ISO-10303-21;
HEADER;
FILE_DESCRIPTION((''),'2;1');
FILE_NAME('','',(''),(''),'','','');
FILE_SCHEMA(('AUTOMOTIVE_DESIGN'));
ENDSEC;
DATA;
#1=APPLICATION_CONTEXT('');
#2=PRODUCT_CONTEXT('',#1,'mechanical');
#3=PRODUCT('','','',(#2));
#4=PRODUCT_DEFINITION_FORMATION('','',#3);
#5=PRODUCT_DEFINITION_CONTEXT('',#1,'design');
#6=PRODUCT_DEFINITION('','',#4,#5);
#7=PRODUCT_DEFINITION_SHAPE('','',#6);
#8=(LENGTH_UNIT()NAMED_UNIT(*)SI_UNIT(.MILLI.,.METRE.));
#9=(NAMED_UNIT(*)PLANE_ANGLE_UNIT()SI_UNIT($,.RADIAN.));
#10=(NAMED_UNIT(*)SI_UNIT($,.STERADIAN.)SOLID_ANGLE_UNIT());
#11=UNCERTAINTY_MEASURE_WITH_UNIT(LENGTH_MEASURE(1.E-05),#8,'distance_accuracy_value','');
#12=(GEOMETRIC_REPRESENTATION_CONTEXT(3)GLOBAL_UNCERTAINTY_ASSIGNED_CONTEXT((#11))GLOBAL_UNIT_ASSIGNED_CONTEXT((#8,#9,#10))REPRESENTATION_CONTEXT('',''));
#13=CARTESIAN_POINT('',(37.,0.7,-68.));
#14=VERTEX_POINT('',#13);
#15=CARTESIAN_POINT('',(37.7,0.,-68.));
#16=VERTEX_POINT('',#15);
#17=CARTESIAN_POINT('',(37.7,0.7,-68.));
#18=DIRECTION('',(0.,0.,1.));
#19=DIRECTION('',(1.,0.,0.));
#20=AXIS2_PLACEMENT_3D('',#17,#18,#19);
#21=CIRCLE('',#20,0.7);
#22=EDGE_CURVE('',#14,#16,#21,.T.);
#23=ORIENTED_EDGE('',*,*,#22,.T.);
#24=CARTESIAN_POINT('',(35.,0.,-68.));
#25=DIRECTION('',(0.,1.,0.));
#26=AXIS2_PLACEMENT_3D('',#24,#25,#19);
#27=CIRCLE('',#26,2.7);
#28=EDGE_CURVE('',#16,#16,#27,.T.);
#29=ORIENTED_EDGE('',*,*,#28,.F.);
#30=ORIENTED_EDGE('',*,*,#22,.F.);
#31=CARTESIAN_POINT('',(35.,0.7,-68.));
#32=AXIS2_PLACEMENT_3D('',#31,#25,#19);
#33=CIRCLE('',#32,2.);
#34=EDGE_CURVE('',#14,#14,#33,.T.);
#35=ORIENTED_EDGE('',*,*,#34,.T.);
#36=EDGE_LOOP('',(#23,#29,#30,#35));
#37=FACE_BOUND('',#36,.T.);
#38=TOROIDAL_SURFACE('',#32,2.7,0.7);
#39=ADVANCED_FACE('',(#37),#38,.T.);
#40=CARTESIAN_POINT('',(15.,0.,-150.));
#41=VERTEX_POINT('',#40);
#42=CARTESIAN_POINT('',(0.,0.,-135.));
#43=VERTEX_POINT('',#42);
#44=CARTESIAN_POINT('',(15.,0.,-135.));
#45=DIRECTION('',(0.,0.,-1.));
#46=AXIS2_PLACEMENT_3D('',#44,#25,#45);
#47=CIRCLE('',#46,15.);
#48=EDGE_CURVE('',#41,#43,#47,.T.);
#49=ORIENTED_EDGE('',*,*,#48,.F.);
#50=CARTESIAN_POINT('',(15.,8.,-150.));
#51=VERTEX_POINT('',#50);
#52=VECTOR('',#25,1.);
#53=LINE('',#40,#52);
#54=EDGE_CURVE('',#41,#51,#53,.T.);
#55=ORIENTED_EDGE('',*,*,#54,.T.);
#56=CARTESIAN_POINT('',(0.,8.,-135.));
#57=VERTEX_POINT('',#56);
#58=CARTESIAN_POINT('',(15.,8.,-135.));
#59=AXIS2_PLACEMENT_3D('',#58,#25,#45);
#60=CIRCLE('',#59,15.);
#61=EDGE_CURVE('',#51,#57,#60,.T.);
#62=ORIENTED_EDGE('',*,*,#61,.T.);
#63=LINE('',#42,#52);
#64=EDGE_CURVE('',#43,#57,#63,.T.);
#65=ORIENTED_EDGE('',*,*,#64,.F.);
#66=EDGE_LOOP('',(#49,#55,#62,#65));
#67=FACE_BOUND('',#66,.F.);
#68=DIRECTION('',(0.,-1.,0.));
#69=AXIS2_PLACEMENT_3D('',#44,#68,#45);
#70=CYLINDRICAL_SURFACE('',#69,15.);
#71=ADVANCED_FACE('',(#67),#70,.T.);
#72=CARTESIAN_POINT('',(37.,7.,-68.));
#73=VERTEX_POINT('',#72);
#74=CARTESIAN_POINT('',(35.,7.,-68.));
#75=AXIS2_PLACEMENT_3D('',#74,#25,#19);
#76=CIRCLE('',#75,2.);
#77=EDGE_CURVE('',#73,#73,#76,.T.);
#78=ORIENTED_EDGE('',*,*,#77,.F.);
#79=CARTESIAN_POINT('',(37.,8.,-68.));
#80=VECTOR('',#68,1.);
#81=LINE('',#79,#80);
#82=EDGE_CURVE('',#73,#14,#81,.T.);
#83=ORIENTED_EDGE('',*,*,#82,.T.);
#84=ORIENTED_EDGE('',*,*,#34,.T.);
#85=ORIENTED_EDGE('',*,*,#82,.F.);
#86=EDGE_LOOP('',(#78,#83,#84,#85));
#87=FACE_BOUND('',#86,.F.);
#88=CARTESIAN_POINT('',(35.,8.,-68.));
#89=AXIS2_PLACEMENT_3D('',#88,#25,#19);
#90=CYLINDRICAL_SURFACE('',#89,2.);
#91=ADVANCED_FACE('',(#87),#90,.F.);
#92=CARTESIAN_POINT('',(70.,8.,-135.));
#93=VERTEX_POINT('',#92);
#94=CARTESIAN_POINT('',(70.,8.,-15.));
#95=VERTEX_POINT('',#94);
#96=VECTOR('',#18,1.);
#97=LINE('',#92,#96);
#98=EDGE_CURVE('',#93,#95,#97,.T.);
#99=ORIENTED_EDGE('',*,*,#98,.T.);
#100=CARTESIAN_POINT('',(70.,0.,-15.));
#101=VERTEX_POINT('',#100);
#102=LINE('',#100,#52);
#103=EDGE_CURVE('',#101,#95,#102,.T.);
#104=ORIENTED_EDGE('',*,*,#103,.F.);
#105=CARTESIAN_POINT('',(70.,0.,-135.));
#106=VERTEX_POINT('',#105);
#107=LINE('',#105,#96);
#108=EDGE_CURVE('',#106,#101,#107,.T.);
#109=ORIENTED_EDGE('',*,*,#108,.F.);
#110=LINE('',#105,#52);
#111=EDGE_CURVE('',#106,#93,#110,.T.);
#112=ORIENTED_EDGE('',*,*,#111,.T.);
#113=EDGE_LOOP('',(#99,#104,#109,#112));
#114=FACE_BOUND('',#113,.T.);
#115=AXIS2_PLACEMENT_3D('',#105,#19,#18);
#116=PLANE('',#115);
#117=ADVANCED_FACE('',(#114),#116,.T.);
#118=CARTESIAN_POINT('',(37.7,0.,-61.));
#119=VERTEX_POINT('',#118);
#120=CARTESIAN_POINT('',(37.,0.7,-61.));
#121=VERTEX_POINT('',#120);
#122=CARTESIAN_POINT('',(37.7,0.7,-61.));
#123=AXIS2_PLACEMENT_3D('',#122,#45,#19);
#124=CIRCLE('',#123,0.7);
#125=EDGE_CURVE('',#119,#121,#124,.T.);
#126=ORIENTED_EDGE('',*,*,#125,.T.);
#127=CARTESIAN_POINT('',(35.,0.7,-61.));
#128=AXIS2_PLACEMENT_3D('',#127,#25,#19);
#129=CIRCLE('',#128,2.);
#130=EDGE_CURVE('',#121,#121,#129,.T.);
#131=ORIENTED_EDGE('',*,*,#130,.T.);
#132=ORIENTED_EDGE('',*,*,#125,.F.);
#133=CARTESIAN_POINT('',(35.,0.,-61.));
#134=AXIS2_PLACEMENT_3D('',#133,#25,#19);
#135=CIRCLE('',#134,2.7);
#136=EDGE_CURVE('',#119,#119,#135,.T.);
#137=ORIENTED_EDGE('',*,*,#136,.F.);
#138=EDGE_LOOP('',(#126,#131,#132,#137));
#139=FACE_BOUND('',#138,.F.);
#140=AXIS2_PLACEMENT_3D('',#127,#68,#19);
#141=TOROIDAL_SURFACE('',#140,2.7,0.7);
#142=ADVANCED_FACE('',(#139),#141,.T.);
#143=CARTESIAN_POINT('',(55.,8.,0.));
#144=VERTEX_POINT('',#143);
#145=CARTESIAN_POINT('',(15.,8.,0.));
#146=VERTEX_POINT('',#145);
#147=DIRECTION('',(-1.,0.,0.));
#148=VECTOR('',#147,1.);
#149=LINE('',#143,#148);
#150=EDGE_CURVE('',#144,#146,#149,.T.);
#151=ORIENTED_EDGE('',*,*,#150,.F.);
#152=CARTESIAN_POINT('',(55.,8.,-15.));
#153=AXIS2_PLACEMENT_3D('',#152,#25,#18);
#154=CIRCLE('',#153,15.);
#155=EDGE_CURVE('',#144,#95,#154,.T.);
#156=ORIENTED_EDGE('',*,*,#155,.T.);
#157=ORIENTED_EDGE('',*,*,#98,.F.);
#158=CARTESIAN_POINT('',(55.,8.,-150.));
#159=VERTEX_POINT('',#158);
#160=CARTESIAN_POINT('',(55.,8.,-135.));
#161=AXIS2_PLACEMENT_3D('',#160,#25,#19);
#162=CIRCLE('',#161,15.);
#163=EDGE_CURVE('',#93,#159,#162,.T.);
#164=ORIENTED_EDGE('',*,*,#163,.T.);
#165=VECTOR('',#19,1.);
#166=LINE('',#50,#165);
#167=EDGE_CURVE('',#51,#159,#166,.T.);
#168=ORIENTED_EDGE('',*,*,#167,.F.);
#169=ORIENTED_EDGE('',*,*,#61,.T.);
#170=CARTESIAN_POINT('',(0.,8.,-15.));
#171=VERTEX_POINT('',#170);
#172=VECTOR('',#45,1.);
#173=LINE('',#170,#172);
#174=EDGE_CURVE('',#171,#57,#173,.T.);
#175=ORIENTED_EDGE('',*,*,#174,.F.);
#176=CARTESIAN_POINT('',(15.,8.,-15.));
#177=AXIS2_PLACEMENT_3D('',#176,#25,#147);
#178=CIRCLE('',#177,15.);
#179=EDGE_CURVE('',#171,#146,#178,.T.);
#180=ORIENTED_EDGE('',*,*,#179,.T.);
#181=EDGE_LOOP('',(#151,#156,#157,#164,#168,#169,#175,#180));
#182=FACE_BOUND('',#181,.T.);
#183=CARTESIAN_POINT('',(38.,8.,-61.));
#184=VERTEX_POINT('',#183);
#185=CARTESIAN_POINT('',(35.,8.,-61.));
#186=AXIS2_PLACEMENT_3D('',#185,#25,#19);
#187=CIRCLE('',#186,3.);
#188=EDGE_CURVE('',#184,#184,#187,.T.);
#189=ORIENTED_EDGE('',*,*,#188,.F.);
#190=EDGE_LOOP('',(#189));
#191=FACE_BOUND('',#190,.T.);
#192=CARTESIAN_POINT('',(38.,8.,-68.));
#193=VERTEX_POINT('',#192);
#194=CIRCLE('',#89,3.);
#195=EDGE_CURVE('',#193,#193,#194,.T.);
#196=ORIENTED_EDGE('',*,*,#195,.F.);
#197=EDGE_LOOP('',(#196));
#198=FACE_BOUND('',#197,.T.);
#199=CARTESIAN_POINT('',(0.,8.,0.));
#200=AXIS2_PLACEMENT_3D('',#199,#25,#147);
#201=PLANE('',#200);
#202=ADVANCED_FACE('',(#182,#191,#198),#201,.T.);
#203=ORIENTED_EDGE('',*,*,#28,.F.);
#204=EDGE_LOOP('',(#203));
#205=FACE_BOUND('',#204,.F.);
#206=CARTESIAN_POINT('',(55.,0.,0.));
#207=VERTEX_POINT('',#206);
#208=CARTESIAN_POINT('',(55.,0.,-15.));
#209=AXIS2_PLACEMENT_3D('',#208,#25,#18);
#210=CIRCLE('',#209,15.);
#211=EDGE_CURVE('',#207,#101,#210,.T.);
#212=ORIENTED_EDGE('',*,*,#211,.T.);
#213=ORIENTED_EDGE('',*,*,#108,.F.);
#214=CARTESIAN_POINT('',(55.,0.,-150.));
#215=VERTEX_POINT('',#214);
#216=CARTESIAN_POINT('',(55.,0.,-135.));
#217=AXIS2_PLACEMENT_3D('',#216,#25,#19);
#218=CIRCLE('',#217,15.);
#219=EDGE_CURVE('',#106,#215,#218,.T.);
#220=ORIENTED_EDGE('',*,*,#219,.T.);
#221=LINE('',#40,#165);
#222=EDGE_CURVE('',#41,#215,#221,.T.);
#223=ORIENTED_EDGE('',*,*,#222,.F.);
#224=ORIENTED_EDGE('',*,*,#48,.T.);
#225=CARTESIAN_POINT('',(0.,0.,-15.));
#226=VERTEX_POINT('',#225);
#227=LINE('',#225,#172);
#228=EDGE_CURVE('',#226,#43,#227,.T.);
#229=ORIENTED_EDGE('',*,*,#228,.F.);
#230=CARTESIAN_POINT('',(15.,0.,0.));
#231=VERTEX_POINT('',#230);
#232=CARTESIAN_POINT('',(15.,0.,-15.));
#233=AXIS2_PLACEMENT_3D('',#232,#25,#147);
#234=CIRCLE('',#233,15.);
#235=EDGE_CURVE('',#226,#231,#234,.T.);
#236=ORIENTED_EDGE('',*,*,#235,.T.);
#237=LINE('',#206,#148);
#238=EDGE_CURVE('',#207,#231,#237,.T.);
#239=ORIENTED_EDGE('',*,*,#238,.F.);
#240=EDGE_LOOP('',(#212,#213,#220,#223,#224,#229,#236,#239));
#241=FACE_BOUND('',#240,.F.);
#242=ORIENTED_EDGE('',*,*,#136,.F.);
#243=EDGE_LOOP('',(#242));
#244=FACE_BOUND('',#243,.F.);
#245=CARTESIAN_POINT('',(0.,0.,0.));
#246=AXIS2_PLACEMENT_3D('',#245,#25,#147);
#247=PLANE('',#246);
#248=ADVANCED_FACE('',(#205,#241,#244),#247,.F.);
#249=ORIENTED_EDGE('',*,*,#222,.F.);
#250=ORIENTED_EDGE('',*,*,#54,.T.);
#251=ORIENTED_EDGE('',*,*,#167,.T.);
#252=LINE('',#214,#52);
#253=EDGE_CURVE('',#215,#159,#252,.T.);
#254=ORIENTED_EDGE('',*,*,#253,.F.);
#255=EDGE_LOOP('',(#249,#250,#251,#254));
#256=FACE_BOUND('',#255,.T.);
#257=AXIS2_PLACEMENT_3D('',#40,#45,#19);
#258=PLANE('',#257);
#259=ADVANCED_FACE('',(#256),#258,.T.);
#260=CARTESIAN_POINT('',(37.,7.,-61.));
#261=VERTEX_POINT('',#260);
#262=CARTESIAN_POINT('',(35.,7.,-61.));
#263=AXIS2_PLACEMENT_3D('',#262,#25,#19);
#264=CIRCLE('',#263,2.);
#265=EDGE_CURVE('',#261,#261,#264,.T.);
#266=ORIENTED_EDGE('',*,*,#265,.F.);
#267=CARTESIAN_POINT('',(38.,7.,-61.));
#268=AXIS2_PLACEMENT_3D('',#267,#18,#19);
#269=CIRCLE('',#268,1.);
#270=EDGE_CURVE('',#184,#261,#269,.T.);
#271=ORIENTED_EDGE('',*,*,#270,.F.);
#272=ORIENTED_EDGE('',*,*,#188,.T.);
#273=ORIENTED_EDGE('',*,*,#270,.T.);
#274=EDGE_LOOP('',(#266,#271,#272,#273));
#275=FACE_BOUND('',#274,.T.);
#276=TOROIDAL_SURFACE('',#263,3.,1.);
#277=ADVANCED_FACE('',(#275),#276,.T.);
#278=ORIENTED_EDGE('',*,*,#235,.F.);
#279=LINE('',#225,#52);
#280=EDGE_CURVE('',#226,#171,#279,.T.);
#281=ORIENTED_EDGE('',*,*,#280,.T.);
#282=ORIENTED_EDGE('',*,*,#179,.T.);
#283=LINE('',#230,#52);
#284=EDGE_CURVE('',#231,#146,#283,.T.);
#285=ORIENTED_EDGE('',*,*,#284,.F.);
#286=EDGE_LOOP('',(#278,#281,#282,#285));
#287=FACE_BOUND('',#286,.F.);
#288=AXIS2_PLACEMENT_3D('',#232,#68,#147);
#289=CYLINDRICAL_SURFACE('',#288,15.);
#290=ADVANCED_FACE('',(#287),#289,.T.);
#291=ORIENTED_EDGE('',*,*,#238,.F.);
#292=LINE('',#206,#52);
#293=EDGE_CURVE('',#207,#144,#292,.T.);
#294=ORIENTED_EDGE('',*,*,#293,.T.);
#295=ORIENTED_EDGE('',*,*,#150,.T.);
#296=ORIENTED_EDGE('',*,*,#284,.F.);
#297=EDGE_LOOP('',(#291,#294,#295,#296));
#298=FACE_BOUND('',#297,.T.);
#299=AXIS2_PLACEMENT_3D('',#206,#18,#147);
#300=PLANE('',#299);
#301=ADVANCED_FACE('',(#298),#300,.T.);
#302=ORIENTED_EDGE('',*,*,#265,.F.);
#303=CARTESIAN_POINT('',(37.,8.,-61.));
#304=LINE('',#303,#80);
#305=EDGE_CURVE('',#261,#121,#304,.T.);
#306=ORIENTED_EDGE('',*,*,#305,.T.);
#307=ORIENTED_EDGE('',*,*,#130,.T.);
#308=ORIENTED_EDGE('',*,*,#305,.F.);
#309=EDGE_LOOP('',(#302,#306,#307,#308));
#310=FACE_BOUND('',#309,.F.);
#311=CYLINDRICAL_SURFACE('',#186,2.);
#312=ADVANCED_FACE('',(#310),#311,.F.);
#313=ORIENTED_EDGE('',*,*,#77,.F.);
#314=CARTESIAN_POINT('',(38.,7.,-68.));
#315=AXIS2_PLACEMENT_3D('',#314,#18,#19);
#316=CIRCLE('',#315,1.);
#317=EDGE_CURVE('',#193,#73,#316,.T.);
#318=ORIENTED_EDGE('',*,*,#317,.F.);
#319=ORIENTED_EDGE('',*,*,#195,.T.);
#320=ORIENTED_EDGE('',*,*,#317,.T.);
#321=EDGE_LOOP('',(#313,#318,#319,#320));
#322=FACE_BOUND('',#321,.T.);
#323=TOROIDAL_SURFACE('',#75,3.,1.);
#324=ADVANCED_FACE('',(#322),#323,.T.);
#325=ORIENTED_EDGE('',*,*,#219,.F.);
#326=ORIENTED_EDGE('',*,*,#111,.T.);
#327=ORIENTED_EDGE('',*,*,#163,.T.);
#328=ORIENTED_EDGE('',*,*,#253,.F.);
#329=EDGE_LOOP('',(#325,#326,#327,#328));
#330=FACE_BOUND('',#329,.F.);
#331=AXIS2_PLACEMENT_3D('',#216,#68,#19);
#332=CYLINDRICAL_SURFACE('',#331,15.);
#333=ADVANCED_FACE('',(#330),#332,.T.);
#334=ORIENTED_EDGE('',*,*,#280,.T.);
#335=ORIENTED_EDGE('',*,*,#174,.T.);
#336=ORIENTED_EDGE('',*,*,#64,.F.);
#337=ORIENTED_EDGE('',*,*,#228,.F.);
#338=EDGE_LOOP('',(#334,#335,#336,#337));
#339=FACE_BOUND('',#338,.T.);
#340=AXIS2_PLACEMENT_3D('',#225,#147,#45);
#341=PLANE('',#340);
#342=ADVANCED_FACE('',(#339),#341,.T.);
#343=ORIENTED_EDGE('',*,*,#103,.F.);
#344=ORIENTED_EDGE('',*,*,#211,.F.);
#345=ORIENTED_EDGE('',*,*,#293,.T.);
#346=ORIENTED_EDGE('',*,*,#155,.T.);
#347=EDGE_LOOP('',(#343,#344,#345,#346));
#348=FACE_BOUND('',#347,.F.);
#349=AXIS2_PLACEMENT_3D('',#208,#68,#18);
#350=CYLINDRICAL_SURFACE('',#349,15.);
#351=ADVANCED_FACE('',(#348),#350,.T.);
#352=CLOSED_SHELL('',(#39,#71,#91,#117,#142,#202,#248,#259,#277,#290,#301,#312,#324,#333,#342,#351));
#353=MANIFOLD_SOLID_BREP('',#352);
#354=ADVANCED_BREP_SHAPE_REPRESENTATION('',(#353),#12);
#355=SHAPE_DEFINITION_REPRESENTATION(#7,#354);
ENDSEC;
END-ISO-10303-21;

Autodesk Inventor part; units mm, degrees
ref_plane "YZ Plane" through (0, 0, 0) normal (1, 0, 0) x (0, 1, 0)
ref_plane "XZ Plane" through (0, 0, 0) normal (0, 1, 0) x (-1, 0, 0)
ref_plane "XY Plane" through (0, 0, 0) normal (0, 0, 1) x (1, 0, 0)
sketch "Esboço4" plane through (0, 0, 0) normal (0, 1, 0) x (-1, 0, 0)
  line L0 (0, -15) -> (0, -135)
  line L1 (-15, -150) -> (-55, -150)
  line L2 (-70, -135) -> (-70, -15)
  line L3 (-55, 0) -> (-15, 0)
  arc A0 (-15, -150) -> (0, -135) centre (-15, -135) ccw
  arc A1 (-70, -135) -> (-55, -150) centre (-55, -135) ccw
  arc A2 (-55, 0) -> (-70, -15) centre (-55, -15) ccw
  arc A3 (0, -15) -> (-15, 0) centre (-15, -15) ccw
  point P0 (0, 0)
  point P1 (0, -150)
  point P2 (-70, -150)
  dimension "d7" = 150
  dimension "d8" = 70
  dimension "d9" = 15
extrude "Extrusão2" add sketch "Esboço4" along normal blind 8
sketch "Esboço5" plane through (0, 8, 0) normal (0, 1, 0) x (1, 0, 0)
  line L0 (15, 0) -> (55, 0) projected
  line L1 (55, 150) -> (15, 150) projected
  circle A0 centre (35, 68) radius 2
  circle A1 centre (35, 61) radius 2
  point P0 (0, 0)
  dimension "d13" = 4
  dimension "d15" = 4
extrude "Extrusão3" cut sketch "Esboço5" against normal through all
fillet "Arredondamento1" radius 1 2 edges at (33, 8, -68) (33, 8, -61)
fillet "Arredondamento2" radius 0.7 2 edges at (33, 0, -61) (33, 0, -68)
properties part number "Base superior(suporte)" material "ABS plástico"
